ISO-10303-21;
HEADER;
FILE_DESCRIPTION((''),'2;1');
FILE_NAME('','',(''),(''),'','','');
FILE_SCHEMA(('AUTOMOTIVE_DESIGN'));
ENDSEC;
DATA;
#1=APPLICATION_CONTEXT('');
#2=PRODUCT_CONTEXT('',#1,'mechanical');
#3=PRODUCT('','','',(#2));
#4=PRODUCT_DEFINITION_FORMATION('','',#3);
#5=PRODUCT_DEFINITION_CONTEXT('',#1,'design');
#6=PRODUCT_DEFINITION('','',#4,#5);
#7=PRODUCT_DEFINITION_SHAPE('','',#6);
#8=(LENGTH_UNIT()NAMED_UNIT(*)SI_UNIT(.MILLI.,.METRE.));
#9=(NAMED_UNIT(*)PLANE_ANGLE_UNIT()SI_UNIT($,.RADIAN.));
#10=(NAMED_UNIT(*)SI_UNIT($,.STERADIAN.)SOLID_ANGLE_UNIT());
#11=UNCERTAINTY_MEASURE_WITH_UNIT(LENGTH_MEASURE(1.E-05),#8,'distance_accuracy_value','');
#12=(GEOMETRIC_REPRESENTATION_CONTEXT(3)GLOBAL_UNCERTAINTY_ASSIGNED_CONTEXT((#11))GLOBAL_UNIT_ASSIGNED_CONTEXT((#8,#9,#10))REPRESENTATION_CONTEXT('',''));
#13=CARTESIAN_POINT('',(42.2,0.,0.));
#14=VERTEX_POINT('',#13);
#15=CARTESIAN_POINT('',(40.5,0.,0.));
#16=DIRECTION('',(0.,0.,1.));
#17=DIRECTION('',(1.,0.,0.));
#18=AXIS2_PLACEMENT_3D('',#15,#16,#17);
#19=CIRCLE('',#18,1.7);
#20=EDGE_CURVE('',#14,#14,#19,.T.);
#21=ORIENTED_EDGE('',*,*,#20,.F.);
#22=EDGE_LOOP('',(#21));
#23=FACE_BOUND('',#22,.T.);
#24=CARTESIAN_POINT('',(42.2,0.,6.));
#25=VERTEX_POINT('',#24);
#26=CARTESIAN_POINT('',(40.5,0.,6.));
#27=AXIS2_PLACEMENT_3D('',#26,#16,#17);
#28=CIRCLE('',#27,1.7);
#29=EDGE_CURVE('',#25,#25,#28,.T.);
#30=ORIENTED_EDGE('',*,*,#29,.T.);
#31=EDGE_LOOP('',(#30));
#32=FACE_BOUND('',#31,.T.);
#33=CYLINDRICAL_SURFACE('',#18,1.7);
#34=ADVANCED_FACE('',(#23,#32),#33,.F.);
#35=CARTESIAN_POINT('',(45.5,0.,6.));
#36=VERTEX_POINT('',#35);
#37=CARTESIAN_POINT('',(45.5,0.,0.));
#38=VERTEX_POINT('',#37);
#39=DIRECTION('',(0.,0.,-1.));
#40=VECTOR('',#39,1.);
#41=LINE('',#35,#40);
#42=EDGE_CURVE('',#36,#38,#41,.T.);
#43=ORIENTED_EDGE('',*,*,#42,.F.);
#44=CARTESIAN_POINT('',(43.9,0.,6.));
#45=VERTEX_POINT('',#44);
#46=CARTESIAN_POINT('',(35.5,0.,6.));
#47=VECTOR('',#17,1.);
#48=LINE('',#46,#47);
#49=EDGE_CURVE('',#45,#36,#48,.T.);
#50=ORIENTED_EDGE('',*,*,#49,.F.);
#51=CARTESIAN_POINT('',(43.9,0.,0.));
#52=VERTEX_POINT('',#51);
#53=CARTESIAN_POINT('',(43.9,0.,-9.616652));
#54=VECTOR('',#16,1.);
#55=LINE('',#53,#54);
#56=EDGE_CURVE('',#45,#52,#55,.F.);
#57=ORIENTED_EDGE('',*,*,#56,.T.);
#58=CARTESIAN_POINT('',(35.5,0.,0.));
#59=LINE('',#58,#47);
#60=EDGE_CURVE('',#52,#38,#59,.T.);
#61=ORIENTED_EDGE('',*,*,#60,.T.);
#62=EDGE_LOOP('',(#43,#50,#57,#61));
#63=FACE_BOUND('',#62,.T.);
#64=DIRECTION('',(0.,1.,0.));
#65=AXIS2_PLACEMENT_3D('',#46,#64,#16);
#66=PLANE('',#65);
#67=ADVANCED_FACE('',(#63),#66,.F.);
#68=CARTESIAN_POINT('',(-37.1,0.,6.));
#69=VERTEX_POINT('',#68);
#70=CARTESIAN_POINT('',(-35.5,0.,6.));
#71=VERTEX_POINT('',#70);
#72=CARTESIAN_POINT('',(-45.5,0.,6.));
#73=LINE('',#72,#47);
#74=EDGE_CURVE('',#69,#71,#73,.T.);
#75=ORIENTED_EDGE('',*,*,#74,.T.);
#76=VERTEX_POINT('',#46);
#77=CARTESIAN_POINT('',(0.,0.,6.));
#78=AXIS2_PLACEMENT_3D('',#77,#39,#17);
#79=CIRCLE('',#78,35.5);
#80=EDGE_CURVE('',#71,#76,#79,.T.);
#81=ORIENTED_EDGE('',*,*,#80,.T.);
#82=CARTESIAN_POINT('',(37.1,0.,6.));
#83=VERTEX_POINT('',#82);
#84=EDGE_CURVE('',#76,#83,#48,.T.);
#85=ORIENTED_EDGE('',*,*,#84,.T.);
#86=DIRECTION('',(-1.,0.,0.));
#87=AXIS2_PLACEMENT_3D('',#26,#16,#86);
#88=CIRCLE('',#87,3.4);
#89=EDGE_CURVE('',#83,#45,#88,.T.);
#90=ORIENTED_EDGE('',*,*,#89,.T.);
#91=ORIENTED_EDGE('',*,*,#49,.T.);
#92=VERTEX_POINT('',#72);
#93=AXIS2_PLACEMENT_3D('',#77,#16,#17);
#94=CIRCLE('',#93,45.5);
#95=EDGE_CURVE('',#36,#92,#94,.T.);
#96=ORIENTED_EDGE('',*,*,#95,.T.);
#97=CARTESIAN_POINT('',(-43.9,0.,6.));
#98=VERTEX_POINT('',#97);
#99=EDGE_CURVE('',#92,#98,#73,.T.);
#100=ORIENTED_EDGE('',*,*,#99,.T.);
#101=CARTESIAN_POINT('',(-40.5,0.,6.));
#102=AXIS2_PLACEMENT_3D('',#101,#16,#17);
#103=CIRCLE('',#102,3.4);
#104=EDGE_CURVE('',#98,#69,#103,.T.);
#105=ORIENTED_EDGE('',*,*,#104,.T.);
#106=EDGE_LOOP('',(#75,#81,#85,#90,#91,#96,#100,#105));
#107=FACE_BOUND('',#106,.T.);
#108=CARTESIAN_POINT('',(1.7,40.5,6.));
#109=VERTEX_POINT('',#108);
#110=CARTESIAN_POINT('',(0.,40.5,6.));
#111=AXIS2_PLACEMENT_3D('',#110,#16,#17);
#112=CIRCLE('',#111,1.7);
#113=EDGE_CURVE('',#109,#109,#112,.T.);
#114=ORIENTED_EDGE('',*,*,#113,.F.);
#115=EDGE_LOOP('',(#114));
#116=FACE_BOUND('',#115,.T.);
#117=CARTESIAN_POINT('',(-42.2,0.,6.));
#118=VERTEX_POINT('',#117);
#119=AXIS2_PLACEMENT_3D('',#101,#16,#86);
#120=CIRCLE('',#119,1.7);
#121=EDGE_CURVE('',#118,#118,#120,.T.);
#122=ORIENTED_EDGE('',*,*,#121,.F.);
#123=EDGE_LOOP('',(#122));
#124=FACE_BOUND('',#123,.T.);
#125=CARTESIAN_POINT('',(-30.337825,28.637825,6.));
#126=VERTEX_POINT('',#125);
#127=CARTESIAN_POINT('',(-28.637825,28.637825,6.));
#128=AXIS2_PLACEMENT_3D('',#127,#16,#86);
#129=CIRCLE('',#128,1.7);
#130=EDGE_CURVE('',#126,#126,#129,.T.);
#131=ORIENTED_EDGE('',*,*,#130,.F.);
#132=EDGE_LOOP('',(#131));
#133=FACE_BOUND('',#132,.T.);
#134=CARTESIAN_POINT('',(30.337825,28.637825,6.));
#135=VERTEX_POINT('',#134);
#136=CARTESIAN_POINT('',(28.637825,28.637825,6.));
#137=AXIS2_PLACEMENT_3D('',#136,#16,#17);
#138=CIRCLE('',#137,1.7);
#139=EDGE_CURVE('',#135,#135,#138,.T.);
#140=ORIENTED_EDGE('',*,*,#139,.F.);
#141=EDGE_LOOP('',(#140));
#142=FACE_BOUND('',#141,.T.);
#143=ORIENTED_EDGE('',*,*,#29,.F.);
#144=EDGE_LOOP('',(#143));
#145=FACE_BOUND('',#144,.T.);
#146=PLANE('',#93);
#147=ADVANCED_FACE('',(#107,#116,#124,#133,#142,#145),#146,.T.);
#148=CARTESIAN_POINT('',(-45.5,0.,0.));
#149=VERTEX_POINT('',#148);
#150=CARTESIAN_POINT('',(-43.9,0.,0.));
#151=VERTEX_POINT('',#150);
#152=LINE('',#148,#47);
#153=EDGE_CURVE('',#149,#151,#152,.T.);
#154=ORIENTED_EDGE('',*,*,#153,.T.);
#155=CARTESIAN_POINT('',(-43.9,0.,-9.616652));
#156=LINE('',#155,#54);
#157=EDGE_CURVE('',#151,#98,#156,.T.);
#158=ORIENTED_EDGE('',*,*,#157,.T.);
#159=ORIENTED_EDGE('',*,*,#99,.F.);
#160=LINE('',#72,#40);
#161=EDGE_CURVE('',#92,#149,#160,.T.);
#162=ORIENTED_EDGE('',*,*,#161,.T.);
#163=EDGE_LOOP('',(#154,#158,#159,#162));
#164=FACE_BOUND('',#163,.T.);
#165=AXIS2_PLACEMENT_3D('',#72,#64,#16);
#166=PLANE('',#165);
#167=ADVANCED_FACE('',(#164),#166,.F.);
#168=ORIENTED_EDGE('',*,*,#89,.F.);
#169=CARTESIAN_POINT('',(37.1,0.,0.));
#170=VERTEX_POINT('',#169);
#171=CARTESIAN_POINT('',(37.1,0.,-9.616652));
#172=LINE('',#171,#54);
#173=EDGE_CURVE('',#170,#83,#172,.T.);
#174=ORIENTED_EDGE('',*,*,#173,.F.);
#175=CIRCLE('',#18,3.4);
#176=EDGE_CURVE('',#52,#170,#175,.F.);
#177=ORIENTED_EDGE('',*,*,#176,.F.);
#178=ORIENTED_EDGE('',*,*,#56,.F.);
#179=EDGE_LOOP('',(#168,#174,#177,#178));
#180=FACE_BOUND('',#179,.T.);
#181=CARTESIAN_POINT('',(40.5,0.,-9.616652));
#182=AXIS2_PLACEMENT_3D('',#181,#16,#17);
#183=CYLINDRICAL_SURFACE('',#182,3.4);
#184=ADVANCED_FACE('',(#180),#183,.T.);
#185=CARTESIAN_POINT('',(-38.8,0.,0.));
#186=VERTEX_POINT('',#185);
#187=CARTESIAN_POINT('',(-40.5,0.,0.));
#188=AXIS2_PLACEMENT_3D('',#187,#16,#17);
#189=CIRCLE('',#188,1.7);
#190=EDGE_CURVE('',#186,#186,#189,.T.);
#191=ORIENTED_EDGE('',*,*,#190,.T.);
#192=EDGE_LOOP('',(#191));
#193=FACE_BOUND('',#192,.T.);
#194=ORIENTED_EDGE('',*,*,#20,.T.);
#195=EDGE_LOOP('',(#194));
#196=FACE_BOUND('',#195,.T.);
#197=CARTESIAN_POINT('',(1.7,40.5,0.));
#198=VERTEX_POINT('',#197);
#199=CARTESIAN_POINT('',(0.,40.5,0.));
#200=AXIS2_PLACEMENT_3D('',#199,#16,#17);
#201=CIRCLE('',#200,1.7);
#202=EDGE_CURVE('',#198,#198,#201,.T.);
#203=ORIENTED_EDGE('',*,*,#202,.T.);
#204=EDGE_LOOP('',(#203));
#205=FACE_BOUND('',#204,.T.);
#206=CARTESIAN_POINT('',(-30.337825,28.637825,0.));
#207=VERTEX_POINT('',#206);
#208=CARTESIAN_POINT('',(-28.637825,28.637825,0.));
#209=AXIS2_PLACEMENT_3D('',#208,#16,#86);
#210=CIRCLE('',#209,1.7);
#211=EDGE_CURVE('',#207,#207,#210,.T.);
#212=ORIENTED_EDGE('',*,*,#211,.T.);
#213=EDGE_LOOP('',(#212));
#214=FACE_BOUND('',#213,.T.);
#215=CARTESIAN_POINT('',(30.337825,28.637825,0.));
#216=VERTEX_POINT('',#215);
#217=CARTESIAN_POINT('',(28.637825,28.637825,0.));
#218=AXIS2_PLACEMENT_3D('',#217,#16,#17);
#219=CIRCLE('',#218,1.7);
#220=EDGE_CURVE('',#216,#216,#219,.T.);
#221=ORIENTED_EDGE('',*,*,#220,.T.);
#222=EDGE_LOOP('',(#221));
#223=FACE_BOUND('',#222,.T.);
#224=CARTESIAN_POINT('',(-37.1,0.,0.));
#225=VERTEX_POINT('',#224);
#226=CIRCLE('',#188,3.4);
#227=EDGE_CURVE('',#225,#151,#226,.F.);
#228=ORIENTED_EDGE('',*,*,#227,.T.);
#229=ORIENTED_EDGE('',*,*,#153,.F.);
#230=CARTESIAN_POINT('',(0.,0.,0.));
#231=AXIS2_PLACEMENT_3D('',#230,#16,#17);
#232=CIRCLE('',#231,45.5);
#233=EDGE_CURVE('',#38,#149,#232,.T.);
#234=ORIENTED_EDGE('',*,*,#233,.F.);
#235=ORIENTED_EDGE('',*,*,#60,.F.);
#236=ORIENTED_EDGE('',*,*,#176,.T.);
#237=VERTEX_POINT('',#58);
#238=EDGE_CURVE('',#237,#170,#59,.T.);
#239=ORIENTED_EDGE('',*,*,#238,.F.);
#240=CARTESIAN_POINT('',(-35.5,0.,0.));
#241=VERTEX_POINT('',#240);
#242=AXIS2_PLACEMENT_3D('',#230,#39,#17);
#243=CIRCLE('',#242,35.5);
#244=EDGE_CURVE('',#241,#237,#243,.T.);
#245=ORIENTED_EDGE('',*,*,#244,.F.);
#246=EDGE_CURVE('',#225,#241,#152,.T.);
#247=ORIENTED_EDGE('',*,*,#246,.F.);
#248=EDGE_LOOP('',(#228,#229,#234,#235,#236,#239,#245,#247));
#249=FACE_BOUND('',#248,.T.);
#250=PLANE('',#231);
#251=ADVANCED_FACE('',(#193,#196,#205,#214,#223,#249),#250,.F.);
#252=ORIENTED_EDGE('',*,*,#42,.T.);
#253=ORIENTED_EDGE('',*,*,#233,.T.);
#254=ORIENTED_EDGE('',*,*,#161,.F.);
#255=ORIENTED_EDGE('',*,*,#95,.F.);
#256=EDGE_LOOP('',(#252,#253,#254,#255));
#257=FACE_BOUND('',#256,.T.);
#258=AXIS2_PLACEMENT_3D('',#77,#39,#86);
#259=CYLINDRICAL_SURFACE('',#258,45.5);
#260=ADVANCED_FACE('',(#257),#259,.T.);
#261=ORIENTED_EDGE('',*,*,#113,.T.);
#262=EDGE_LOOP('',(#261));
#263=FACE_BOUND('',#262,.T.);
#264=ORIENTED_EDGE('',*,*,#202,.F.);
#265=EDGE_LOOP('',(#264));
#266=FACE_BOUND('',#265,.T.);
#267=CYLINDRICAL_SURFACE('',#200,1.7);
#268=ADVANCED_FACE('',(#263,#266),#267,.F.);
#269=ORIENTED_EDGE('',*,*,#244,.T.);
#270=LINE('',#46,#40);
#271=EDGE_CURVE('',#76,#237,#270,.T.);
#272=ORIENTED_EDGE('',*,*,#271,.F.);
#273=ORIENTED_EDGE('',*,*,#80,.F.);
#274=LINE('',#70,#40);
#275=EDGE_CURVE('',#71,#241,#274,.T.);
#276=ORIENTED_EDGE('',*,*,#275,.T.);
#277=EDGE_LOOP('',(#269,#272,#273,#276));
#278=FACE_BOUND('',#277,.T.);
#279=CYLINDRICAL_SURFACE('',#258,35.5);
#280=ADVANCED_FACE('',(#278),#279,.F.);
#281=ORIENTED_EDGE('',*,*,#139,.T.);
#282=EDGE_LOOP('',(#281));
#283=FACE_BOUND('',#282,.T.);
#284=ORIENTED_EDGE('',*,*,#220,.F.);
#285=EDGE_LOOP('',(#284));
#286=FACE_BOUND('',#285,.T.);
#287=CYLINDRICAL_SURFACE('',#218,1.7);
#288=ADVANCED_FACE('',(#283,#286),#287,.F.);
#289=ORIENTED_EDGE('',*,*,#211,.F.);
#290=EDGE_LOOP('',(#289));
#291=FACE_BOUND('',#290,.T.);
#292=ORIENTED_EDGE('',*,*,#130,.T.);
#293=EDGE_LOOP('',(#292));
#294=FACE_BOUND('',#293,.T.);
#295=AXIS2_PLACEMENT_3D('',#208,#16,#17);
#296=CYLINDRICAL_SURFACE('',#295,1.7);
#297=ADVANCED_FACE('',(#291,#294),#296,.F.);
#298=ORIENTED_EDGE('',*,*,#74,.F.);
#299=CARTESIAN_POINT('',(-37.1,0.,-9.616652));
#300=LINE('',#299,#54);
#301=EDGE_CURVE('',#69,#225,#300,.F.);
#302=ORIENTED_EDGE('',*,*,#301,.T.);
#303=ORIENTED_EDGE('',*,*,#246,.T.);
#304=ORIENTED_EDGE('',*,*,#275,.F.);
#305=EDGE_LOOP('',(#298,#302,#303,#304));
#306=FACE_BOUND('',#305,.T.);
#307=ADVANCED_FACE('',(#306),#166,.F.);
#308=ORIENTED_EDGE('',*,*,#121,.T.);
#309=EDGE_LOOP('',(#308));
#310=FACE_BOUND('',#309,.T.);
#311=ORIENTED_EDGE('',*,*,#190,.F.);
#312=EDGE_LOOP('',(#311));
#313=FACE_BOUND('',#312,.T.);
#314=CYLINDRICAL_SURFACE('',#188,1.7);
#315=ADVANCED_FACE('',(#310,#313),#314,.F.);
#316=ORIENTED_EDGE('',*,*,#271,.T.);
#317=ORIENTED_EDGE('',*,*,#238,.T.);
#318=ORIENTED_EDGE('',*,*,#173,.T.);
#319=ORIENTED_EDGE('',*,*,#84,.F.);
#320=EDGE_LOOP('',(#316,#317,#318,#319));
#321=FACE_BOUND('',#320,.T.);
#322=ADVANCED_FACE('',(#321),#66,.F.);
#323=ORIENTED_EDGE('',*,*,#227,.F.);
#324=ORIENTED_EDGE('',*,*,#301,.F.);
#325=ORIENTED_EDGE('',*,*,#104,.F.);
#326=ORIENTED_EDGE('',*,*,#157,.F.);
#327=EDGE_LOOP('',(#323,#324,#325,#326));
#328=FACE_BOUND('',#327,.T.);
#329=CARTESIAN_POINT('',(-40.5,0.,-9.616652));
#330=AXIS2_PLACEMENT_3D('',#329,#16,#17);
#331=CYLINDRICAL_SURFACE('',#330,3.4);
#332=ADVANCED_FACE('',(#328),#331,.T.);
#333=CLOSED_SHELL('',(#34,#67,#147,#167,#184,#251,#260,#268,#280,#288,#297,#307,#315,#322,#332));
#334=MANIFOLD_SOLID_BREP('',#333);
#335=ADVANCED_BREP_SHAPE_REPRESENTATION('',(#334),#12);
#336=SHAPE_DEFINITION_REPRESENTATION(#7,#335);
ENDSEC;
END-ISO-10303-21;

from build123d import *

# Parameters (mm, degrees)
SALIENTE_EXTRUIR1_DEPTH = 6
CROQUIS2_R              = 1.7
CORTAR_EXTRUIR1_DEPTH   = 7
CROQUIS3_R              = 3.4
CROQUIS3_R_2            = 1.7
SALIENTE_EXTRUIR2_DEPTH = 6


with BuildPart() as part:
    # Croquis1 → Saliente-Extruir1 (new body)
    with BuildSketch(Plane.XY):
        with BuildLine():
            Line((-45.5, 0), (-35.5, 0))
            ThreePointArc((-35.5, 0), (0, 35.5), (35.5, 0))
            Line((35.5, 0), (45.5, 0))
            ThreePointArc((45.5, 0), (0, 45.5), (-45.5, 0))
        make_face()
    extrude(amount=SALIENTE_EXTRUIR1_DEPTH)

    # Croquis2 → Cortar-Extruir1 (cut, through all)
    with BuildSketch(Plane.XY.offset(6)):
        with Locations((0, 40.5)):
            Circle(CROQUIS2_R)
        with Locations((28.637824638, 28.637824638)):
            Circle(CROQUIS2_R)
        with Locations((40.5, 0)):
            Circle(CROQUIS2_R)
        with Locations((-40.5, 0)):
            Circle(CROQUIS2_R)
        with Locations((-28.637824638, 28.637824638)):
            Circle(CROQUIS2_R)
    extrude(amount=-CORTAR_EXTRUIR1_DEPTH, mode=Mode.SUBTRACT)

    # Croquis3 → Saliente-Extruir2 (add)
    with BuildSketch(Plane.XY.offset(6)):
        with Locations((-40.5, 0)):
            Circle(CROQUIS3_R)
        with Locations((-40.5, 0)):
            Circle(CROQUIS3_R_2, mode=Mode.SUBTRACT)
        with Locations((40.5, 0)):
            Circle(CROQUIS3_R)
        with Locations((40.5, 0)):
            Circle(CROQUIS3_R_2, mode=Mode.SUBTRACT)
    extrude(amount=-SALIENTE_EXTRUIR2_DEPTH)


solid = part.part
